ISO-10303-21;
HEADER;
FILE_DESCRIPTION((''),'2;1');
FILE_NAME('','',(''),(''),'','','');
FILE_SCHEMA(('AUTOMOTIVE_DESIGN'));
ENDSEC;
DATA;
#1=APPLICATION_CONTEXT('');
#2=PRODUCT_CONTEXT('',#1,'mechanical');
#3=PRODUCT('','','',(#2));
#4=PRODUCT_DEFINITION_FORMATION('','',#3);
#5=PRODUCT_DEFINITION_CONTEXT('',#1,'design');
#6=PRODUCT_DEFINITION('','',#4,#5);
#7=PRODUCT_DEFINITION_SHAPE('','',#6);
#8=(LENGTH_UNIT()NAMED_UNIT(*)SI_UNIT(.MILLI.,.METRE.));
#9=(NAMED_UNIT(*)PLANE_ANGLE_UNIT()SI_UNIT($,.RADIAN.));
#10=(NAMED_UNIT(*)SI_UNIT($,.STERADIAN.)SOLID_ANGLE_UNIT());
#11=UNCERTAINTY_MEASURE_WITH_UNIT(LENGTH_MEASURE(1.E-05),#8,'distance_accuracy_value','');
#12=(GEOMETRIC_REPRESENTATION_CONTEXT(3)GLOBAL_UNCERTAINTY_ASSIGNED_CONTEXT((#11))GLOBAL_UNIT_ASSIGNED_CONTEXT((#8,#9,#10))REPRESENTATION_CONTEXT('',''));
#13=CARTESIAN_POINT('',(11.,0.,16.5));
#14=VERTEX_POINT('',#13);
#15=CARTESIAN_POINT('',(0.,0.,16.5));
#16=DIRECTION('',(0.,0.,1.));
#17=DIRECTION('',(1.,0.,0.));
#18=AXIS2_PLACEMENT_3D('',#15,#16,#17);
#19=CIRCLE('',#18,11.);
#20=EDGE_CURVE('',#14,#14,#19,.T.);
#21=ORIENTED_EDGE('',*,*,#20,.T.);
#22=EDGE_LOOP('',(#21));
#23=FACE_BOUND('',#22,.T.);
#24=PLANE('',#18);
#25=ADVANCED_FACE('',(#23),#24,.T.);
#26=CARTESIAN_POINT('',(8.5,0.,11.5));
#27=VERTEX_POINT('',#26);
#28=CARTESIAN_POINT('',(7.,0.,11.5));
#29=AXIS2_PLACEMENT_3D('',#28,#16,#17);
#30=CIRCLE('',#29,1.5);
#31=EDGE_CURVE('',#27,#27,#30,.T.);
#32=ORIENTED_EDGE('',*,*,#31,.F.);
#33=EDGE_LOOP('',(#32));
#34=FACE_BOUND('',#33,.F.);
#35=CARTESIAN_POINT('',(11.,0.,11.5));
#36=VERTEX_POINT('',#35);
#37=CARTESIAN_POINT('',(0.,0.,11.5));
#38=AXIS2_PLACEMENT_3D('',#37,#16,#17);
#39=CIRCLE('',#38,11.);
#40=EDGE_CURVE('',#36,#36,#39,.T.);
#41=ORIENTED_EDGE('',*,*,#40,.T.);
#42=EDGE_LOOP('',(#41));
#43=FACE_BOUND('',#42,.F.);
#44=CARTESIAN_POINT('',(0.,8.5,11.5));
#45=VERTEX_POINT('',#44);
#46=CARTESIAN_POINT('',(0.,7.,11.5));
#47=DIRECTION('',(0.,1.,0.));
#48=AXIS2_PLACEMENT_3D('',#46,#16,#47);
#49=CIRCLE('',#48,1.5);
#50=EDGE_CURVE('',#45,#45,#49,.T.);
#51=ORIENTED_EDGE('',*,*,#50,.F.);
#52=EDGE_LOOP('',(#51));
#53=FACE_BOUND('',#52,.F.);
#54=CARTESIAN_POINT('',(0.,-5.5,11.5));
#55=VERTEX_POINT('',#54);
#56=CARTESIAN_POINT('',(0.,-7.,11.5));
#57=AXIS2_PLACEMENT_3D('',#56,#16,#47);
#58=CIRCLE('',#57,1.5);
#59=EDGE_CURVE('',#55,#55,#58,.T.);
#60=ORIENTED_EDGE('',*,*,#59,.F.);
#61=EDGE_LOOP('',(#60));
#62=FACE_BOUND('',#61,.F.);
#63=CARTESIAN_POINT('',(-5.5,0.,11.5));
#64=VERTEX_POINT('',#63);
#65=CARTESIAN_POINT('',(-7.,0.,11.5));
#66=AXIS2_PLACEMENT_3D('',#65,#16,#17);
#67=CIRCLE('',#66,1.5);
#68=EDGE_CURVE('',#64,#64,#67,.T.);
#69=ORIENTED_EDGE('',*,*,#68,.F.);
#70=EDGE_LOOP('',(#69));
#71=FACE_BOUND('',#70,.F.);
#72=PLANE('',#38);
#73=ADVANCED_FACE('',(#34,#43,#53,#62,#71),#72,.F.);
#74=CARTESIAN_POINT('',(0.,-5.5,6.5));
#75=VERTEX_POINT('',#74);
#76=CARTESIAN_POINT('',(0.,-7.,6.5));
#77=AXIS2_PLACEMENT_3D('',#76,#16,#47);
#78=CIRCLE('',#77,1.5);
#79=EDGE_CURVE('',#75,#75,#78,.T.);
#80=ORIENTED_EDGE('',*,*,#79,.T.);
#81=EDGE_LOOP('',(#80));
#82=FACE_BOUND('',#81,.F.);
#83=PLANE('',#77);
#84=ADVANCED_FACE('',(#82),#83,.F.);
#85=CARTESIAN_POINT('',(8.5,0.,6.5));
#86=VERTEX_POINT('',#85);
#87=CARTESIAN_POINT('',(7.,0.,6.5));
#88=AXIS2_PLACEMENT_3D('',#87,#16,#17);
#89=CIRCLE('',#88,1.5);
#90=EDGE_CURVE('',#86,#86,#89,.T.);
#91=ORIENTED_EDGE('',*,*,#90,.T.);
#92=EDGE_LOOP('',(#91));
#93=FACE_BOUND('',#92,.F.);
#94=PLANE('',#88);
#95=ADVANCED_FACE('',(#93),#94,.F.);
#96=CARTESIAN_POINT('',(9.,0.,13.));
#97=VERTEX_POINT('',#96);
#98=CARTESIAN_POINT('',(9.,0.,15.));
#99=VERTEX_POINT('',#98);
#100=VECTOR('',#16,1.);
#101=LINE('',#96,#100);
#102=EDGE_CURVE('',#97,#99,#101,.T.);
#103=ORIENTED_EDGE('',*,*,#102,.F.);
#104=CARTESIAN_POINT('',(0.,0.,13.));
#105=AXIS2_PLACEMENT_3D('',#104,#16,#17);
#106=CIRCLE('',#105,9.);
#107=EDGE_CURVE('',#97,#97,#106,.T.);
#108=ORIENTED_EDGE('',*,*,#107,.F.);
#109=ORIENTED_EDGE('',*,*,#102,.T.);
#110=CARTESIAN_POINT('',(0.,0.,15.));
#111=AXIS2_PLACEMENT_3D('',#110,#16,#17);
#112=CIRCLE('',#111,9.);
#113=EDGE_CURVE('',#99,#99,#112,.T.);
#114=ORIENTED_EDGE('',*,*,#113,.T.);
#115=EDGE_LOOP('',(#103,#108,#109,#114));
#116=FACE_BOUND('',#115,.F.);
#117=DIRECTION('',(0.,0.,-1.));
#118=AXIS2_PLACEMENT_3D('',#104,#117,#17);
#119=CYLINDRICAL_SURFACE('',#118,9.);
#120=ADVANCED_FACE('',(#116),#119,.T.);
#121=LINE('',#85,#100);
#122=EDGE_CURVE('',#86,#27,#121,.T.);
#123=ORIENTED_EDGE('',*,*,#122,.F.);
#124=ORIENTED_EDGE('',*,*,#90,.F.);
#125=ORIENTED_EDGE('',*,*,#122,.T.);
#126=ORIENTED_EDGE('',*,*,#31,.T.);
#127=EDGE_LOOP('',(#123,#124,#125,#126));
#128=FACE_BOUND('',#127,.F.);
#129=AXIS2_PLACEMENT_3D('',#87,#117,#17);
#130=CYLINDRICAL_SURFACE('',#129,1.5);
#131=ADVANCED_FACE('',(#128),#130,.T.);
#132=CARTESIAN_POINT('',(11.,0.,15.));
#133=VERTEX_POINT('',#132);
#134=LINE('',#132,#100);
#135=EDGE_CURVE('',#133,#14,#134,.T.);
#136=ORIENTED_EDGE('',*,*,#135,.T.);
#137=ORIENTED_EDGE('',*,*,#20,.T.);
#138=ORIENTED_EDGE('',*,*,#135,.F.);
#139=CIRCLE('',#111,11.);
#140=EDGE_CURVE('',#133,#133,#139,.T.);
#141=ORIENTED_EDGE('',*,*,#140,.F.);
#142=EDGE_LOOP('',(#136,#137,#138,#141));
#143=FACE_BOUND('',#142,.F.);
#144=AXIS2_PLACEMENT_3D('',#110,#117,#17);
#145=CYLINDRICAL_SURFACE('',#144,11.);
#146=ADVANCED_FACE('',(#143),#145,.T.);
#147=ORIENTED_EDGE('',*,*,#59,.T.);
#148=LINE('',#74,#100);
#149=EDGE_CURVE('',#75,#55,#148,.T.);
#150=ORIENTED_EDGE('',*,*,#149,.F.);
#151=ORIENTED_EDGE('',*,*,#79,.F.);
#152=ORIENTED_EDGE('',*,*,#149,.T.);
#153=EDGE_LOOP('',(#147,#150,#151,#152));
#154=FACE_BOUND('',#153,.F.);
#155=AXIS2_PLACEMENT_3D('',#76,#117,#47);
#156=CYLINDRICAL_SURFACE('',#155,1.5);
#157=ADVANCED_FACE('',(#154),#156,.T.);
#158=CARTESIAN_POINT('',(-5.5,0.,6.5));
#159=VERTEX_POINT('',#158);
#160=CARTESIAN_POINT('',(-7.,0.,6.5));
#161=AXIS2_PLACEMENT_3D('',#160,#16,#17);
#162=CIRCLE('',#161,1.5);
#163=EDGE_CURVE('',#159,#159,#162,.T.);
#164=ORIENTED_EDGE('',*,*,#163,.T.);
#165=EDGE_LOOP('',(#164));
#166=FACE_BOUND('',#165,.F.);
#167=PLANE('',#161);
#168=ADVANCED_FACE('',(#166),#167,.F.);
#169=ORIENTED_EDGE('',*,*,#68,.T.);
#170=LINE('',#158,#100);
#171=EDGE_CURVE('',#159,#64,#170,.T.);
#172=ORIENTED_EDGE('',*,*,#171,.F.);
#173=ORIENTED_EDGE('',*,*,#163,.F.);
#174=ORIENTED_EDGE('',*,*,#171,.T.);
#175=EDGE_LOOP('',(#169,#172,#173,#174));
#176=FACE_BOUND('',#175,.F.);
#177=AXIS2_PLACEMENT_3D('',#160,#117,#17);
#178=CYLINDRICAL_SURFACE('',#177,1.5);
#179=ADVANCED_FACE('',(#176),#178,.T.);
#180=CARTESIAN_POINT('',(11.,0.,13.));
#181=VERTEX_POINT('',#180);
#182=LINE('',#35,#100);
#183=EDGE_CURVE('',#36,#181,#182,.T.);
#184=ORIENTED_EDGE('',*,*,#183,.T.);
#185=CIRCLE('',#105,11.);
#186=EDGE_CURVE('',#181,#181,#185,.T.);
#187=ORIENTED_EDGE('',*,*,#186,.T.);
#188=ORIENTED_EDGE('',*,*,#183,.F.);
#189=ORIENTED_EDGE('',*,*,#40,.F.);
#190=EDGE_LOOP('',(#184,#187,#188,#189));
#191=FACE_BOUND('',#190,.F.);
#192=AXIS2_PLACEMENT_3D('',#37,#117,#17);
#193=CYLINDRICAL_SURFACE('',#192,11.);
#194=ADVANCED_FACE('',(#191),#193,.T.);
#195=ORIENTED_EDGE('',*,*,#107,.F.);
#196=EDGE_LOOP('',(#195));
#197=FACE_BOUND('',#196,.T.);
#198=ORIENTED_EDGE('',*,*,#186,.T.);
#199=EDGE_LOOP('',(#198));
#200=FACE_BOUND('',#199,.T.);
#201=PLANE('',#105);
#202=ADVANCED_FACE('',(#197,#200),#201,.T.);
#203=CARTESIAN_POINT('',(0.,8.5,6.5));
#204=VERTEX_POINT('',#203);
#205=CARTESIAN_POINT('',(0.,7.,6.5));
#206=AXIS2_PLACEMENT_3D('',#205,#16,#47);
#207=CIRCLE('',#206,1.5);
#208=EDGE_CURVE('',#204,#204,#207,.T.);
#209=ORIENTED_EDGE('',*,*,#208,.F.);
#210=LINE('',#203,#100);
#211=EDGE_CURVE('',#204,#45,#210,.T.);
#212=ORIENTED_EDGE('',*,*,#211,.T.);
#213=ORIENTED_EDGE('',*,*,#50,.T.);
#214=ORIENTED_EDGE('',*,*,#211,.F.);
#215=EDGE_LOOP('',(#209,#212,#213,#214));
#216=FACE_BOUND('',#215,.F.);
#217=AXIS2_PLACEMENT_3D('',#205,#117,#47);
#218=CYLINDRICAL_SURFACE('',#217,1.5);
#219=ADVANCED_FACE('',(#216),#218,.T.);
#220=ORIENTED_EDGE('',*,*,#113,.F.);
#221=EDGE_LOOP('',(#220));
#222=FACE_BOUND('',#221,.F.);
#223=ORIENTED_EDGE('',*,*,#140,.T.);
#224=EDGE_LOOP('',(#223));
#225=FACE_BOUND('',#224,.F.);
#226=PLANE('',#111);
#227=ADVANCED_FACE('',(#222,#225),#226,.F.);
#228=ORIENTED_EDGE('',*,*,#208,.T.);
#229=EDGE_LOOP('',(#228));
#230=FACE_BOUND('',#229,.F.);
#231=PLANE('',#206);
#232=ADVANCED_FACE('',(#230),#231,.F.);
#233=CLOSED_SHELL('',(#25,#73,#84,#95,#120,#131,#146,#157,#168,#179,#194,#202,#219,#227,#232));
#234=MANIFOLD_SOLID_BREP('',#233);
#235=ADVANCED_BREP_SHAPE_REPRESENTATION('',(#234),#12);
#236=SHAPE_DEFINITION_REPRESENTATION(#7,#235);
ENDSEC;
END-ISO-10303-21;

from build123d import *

# Parameters (mm, degrees)
CYLINDER913_R             = 1.5
CYLINDER913_DEPTH         = 5
CYLINDER914_R             = 1.5
CYLINDER914_DEPTH         = 5
CYLINDER915_R             = 1.5
CYLINDER915_DEPTH         = 5
CYLINDER916_R             = 1.5
CYLINDER916_DEPTH         = 5
FUSION064_PLACEMENT_ANGLE = 90
CYLINDER909_R             = 11
CYLINDER909_DEPTH         = 1.5
CYLINDER910_R             = 11
CYLINDER910_DEPTH         = 1.5
CYLINDER908_R             = 9
CYLINDER908_DEPTH         = 2


with BuildPart() as cylinder913:
    # Cylinder913 → Cylinder913 (new body)
    with BuildSketch(Plane(origin=(7, 0, 0), x_dir=(1, 0, 0), z_dir=(0, 0, 1))):
        Circle(CYLINDER913_R)
    extrude(amount=CYLINDER913_DEPTH)


with BuildPart() as fusion063:
    # Cylinder914 → Cylinder914 (new body)
    with BuildSketch(Plane(origin=(-7, 0, 0), x_dir=(1, 0, 0), z_dir=(0, 0, 1))):
        Circle(CYLINDER914_R)
    extrude(amount=CYLINDER914_DEPTH)

    # Fusion063: union Cylinder913
    add(cylinder913.part)


with BuildPart() as cylinder915:
    # Cylinder915 → Cylinder915 (new body)
    with BuildSketch(Plane(origin=(7, 0, 0), x_dir=(1, 0, 0), z_dir=(0, 0, 1))):
        Circle(CYLINDER915_R)
    extrude(amount=CYLINDER915_DEPTH)


with BuildPart() as fusion065:
    # Cylinder916 → Cylinder916 (new body)
    with BuildSketch(Plane(origin=(-7, 0, 0), x_dir=(1, 0, 0), z_dir=(0, 0, 1))):
        Circle(CYLINDER916_R)
    extrude(amount=CYLINDER916_DEPTH)

    # Fusion064: union Cylinder915
    add(cylinder915.part)


with BuildPart() as fusion065_1:
    # Fusion064 placement: moved
    add(fusion065.part.rotate(Axis((0, 0, 0), (0, 0, 1)), FUSION064_PLACEMENT_ANGLE))

    # Fusion065: union Fusion063
    add(fusion063.part)


with BuildPart() as fusion065_2:
    # Fusion065 placement: moved
    add(fusion065_1.part.moved(Location((0, 0, 8))))


with BuildPart() as cylinder909:
    # Cylinder909 → Cylinder909 (new body)
    with BuildSketch(Plane.XY.offset(15.5)):
        Circle(CYLINDER909_R)
    extrude(amount=CYLINDER909_DEPTH)


with BuildPart() as cylinder910:
    # Cylinder910 → Cylinder910 (new body)
    with BuildSketch(Plane.XY.offset(12)):
        Circle(CYLINDER910_R)
    extrude(amount=CYLINDER910_DEPTH)


with BuildPart() as selector_gear:
    # Cylinder908 → Cylinder908 (new body)
    with BuildSketch(Plane.XY.offset(13.5)):
        Circle(CYLINDER908_R)
    extrude(amount=CYLINDER908_DEPTH)

    # Fusion072: union Cylinder909, Cylinder910
    add(cylinder909.part)
    add(cylinder910.part)


with BuildPart() as selector_gear_1:
    # Fusion072 placement: moved
    add(selector_gear.part.moved(Location((0, 0, 1))))

    # Fusion073: union Fusion065
    add(fusion065_2.part)


with BuildPart() as selector_gear_2:
    # Fusion073 placement: moved
    add(selector_gear_1.part.moved(Location((0, 0, -1.5))))


solid = selector_gear_2.part
